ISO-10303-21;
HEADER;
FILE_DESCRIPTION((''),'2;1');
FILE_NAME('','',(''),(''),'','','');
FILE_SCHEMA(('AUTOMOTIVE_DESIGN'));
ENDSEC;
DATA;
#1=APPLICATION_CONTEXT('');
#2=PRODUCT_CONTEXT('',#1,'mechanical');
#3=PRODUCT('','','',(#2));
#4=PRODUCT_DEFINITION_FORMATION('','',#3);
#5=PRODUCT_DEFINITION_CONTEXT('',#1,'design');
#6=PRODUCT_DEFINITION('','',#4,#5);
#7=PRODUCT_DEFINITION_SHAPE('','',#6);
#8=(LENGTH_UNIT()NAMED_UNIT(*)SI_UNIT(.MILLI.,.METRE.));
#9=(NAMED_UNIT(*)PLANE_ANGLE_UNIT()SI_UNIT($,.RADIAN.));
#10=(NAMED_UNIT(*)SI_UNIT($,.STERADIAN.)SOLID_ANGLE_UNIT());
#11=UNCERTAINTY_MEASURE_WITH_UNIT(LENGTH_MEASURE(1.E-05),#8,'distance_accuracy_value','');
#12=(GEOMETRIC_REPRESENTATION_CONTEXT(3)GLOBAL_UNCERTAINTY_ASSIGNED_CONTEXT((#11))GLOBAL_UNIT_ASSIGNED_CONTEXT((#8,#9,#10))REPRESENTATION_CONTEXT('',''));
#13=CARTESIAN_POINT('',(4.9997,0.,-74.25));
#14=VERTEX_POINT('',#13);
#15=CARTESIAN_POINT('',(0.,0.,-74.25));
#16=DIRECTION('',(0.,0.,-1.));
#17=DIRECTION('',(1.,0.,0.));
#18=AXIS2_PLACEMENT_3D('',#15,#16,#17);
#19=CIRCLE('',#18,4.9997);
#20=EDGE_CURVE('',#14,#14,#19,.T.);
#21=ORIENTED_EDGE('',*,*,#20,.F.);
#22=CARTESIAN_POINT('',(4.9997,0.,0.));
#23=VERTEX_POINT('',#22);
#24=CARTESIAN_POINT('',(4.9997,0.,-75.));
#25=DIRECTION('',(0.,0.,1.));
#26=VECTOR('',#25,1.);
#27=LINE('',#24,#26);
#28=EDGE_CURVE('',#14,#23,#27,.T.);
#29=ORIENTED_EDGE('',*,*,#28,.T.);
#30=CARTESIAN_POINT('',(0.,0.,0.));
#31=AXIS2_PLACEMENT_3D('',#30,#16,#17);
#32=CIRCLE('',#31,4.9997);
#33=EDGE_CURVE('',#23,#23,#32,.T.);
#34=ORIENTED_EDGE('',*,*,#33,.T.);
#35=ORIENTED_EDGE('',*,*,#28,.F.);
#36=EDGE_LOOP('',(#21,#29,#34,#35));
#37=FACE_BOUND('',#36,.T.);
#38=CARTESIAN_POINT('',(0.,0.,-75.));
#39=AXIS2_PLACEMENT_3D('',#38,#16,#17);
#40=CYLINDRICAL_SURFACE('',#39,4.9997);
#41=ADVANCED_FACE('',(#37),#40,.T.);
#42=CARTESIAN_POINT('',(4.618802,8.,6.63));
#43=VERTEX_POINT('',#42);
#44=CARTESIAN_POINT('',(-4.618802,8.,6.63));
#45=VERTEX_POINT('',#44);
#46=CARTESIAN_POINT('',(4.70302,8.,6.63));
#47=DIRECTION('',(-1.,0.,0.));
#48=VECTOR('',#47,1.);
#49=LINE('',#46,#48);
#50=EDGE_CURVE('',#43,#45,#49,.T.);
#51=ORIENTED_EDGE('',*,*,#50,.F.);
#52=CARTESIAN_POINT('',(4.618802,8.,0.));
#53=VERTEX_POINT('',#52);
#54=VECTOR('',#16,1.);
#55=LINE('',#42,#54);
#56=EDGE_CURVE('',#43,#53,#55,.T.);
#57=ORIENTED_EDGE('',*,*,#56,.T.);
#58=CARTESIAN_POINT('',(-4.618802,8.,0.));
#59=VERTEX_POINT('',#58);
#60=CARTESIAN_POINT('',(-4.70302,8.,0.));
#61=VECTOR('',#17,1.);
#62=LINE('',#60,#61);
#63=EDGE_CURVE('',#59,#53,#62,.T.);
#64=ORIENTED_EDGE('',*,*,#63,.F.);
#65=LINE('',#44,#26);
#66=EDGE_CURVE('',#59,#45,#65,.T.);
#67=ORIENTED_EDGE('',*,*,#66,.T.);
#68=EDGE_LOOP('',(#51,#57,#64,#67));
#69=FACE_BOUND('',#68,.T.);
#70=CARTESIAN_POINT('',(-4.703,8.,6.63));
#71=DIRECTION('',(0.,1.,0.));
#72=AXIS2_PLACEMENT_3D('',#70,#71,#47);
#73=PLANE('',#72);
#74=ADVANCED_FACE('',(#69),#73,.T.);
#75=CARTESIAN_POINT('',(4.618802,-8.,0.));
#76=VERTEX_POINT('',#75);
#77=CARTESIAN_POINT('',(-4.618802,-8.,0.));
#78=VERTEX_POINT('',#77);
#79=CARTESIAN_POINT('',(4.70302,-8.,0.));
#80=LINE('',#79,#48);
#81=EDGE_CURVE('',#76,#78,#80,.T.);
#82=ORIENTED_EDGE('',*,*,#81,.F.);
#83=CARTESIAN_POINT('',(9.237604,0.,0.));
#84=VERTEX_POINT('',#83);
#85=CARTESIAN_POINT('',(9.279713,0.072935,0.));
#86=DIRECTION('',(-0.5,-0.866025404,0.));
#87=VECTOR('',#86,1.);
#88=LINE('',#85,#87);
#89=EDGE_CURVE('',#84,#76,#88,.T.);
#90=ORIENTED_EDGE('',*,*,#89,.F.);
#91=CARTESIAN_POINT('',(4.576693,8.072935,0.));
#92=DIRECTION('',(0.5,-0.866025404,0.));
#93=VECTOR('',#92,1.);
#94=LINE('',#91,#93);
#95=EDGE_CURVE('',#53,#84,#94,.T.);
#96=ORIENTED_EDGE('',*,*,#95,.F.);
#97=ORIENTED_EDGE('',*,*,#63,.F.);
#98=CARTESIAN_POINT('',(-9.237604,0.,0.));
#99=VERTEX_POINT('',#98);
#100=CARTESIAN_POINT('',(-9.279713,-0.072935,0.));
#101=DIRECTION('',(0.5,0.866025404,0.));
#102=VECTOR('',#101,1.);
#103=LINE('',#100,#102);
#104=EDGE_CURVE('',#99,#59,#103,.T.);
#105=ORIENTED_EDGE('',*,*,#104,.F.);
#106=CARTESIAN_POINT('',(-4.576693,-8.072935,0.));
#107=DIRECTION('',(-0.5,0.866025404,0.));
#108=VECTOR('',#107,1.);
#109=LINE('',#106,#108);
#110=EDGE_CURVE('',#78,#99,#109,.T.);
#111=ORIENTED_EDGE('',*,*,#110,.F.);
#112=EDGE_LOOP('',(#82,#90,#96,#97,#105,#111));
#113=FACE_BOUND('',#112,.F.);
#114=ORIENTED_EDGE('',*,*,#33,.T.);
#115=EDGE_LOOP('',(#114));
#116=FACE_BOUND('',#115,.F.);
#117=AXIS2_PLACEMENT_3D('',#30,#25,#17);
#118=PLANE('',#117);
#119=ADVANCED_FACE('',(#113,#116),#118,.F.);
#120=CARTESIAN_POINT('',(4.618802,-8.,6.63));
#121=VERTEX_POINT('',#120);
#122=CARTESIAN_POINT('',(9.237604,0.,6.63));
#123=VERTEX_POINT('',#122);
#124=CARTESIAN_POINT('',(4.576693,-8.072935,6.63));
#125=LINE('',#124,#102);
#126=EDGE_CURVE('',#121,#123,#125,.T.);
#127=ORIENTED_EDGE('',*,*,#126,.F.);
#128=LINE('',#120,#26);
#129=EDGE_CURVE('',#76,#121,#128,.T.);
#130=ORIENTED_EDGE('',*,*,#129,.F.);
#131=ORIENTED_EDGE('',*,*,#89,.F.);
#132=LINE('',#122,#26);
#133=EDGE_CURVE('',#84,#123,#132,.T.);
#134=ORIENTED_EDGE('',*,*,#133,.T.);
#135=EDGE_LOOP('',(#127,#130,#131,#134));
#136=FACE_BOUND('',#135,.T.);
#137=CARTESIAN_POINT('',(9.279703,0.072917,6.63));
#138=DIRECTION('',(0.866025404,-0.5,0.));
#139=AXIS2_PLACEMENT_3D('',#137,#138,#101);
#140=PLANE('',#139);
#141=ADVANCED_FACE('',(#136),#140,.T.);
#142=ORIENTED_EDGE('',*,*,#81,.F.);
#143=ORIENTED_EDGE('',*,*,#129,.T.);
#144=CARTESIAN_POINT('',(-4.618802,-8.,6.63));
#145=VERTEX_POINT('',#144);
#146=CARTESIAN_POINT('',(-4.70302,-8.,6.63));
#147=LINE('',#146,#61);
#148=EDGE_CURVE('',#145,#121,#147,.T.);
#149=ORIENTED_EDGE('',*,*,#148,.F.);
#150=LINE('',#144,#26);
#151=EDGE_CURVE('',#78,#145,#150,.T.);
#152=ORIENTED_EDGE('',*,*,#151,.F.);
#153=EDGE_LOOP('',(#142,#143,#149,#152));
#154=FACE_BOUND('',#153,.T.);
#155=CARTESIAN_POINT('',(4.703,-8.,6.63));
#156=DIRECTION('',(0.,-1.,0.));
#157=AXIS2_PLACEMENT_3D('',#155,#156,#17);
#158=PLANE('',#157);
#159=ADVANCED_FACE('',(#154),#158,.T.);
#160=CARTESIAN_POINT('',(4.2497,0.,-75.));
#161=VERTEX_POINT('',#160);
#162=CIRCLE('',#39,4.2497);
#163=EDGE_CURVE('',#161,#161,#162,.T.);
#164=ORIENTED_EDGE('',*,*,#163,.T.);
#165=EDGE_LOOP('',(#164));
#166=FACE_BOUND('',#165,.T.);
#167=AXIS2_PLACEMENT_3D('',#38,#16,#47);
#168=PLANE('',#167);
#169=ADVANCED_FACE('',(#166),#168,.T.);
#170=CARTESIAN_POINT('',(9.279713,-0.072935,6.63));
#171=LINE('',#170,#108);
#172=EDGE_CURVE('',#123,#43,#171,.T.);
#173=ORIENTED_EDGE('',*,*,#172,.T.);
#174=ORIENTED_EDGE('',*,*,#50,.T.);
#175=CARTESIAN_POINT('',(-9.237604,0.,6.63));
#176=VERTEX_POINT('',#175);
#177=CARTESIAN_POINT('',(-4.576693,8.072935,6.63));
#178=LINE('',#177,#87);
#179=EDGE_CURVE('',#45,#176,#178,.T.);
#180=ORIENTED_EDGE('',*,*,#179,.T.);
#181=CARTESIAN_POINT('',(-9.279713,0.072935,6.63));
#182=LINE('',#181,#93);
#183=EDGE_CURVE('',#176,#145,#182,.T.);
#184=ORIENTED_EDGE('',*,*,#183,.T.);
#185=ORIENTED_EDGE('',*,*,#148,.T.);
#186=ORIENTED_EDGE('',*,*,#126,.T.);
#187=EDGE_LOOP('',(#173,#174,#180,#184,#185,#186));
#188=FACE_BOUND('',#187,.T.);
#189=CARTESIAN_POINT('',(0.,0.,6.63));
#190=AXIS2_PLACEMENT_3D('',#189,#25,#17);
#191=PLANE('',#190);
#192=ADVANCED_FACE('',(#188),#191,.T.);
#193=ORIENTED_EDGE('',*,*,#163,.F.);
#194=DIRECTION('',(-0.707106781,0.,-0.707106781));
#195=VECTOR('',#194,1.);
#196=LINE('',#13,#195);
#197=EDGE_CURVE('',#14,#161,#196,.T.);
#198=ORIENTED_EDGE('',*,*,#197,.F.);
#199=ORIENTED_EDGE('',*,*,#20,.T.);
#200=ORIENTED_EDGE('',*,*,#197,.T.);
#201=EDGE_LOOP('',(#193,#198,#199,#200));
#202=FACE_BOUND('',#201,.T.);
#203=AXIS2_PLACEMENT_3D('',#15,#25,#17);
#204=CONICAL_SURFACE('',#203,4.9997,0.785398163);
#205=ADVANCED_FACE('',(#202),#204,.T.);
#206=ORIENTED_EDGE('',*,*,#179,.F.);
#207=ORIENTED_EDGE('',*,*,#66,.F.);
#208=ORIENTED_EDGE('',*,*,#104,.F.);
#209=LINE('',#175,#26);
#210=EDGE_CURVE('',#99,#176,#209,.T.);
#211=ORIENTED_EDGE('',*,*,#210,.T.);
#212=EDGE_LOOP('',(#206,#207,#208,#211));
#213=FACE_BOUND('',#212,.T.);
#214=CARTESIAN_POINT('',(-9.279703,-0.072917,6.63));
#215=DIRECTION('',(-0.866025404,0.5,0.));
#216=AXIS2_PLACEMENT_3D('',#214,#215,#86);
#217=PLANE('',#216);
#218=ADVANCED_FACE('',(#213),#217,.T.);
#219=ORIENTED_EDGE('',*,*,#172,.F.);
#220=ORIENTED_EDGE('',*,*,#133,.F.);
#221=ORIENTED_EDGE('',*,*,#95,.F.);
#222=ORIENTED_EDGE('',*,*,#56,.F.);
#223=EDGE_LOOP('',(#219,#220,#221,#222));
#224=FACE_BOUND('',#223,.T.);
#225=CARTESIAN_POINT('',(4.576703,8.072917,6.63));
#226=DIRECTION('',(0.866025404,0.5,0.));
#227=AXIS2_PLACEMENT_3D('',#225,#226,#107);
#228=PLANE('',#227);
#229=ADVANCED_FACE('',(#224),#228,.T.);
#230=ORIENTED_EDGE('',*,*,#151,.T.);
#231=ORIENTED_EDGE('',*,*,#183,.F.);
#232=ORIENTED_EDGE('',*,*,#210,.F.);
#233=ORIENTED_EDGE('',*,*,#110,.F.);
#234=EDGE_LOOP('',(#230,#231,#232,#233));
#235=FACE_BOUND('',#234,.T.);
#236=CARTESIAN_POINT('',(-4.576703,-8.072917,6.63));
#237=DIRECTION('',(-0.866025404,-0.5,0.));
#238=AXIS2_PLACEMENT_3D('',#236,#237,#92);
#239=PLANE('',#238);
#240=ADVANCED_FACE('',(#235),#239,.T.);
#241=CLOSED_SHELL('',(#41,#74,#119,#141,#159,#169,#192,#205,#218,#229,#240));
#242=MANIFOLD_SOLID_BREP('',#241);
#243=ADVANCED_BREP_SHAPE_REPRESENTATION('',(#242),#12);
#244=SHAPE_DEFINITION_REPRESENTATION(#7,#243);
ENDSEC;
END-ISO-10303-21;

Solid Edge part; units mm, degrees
sketch "Sketch1" plane through (0, 0, 0) normal (0, 0, 1) x (1, 0, 0)
  circle A0 centre (0, 0) radius 9.28
  dimension "D1" = 18.56
extrude "Protrusion1" add sketch "Sketch1" along normal blind 6.63
sketch "Sketch2" plane through (0, 0, 0) normal (0, 0, -1) x (1, 0, 0)
  circle A0 centre (0, 0) radius 5
extrude "Protrusion2" add sketch "Sketch2" along normal blind 75
sketch "Sketch3" plane through (0, 0, -75) normal (0, 0, -1) x (1, 0, 0)
  circle A0 centre (0, 0) radius 4.9997
extrude "Cutout1" cut sketch "Sketch3" against normal blind 75 flip side to cut
chamfer "Chamfer_1" distance 0.75 angle 45 1 edges at (-4.9997, 0, -75)
sketch "Sketch4" plane through (0, 0, 6.63) normal (0, 0, 1) x (1, 0, 0)
  line L0 (-4.703, 8) -> (4.703, 8)
  dimension "D1" = 16
extrude "Cutout2" cut sketch "Sketch4" against normal up to next material side at (0, 8.05, 6.63)
pattern_circular "Pattern1" count 6 over 360 about axis through (0, 0, 6.63) along (0, 0, 1) of "Cutout2"
properties part number "185617" material "Stainless Steel, 304"
